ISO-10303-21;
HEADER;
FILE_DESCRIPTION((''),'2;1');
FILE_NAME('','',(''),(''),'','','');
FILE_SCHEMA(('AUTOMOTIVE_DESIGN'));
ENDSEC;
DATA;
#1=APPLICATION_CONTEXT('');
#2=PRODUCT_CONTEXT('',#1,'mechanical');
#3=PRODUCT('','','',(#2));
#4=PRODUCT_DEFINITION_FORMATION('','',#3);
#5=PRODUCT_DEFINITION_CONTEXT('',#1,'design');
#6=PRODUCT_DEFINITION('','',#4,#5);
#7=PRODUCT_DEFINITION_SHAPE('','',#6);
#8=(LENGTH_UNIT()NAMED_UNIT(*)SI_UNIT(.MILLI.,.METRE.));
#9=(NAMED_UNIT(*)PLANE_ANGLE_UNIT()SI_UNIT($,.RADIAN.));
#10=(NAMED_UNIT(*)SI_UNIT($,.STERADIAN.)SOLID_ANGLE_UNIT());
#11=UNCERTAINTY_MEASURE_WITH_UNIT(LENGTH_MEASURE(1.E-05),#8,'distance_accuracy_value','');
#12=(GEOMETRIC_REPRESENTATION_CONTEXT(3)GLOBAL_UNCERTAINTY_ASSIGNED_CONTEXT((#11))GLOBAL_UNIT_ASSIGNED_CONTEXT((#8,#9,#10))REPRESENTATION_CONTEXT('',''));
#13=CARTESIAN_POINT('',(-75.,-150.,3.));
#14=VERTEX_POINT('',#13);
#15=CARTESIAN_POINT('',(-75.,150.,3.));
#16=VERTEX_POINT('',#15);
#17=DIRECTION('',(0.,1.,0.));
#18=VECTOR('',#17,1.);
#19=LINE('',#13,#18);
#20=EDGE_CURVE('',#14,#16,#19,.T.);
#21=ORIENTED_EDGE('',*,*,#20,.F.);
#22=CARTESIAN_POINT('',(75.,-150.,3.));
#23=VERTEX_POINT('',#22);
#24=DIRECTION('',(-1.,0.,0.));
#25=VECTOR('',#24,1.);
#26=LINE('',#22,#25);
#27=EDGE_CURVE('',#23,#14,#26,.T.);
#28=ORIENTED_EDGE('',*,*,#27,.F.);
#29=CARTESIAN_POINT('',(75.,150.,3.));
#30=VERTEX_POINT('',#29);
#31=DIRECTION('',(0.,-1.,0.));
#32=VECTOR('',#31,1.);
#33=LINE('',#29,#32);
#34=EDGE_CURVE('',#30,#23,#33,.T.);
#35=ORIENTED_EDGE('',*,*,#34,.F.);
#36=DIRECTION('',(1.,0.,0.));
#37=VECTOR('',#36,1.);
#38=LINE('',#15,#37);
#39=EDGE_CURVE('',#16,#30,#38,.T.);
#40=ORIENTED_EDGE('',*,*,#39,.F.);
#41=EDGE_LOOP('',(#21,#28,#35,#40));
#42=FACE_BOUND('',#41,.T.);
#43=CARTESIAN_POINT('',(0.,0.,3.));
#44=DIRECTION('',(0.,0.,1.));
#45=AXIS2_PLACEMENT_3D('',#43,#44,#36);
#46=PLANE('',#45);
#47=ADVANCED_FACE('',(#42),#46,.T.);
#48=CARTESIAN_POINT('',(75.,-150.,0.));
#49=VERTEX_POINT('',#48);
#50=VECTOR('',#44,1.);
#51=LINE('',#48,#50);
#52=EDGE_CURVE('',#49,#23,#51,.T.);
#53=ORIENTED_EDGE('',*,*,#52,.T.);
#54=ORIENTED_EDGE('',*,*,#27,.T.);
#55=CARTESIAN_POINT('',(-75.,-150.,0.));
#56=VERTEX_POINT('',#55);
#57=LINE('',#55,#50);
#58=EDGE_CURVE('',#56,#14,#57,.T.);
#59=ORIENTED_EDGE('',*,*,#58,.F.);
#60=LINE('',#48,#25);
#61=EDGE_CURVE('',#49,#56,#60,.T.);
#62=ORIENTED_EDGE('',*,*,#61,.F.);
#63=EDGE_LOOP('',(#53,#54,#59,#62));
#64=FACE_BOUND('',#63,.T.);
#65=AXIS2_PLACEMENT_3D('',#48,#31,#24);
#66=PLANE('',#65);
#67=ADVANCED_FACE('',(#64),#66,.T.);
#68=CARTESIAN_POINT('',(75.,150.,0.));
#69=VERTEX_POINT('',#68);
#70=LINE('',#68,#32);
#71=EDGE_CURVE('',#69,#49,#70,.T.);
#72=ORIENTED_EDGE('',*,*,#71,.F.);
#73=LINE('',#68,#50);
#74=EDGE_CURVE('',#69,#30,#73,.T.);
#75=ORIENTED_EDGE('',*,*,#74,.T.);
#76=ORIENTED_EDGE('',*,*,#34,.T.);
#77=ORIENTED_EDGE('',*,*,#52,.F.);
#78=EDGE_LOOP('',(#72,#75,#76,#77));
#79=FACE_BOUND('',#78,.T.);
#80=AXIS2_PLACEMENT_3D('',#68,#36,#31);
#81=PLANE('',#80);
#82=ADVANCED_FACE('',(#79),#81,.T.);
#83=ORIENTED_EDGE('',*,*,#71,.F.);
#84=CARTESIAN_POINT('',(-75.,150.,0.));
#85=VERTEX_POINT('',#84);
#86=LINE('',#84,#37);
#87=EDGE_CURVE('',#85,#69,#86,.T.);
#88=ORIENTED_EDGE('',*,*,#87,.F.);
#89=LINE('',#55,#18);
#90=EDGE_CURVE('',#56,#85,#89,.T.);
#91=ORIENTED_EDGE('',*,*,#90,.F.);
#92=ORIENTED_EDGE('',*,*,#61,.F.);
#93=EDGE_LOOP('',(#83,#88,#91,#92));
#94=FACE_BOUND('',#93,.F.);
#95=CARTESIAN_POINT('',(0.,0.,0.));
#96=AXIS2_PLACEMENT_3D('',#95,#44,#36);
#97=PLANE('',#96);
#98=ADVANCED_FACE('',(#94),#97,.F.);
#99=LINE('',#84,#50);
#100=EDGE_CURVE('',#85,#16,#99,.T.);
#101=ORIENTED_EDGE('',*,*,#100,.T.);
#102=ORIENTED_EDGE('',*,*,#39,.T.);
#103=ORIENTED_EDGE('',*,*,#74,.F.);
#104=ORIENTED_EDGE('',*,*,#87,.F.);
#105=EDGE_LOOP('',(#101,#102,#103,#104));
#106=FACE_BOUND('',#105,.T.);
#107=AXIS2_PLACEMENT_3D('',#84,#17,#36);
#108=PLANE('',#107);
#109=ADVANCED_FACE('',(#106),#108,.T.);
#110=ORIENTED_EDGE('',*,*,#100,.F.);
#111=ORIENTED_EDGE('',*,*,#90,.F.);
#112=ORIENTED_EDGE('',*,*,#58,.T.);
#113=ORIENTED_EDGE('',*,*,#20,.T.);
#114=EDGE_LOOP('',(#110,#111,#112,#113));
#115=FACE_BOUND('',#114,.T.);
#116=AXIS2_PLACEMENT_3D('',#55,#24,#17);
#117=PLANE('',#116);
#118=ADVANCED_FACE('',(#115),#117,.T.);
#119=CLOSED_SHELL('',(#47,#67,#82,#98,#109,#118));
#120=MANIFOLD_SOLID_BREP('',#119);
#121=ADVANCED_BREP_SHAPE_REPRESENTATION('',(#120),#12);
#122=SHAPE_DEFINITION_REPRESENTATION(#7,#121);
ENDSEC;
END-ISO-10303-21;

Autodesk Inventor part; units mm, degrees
ref_plane "YZ Plane" through (0, 0, 0) normal (1, 0, 0) x (0, 1, 0)
ref_plane "XZ Plane" through (0, 0, 0) normal (0, 1, 0) x (-1, 0, 0)
ref_plane "XY Plane" through (0, 0, 0) normal (0, 0, 1) x (1, 0, 0)
sketch "Esboço1" plane through (0, 0, 0) normal (0, 0, 1) x (1, 0, 0)
  line L0 (-75, 150) -> (75, 150)
  line L1 (75, 150) -> (75, -150)
  line L2 (75, -150) -> (-75, -150)
  line L3 (-75, -150) -> (-75, 150)
  line L4 (-75, 150) -> (75, -150) construction
  line L5 (75, 150) -> (-75, -150) construction
  point P0 (0, 0)
  dimension "d0" = 300
  dimension "d1" = 150
extrude "Placa1" add sketch "Esboço1" along normal blind 3
equation "\"d2\" = Espessura"
equation "\"Raio_vergadura\" = Espessura"
equation "\"Largura_alívio_de_vergadura\" = Espessura"
equation "\"Profundidade_alívio_de_vergadura\" = 0.5 * Espessura"
equation "\"Tamanho_alívio_de_dobra\" = 4 * Espessura"
equation "\"Remanescente_mínimo\" = 2 * Espessura"
equation "\"Raiodetransição\" = Raio_vergadura"
equation "\"Tamanho_de_raio_de_Jacobi\" = Raio_vergadura"
equation "\"TamanhoFolga\" = Espessura"
equation "\"Espessura\" = 3"
properties part number "chapa de metal" material "Aço"
